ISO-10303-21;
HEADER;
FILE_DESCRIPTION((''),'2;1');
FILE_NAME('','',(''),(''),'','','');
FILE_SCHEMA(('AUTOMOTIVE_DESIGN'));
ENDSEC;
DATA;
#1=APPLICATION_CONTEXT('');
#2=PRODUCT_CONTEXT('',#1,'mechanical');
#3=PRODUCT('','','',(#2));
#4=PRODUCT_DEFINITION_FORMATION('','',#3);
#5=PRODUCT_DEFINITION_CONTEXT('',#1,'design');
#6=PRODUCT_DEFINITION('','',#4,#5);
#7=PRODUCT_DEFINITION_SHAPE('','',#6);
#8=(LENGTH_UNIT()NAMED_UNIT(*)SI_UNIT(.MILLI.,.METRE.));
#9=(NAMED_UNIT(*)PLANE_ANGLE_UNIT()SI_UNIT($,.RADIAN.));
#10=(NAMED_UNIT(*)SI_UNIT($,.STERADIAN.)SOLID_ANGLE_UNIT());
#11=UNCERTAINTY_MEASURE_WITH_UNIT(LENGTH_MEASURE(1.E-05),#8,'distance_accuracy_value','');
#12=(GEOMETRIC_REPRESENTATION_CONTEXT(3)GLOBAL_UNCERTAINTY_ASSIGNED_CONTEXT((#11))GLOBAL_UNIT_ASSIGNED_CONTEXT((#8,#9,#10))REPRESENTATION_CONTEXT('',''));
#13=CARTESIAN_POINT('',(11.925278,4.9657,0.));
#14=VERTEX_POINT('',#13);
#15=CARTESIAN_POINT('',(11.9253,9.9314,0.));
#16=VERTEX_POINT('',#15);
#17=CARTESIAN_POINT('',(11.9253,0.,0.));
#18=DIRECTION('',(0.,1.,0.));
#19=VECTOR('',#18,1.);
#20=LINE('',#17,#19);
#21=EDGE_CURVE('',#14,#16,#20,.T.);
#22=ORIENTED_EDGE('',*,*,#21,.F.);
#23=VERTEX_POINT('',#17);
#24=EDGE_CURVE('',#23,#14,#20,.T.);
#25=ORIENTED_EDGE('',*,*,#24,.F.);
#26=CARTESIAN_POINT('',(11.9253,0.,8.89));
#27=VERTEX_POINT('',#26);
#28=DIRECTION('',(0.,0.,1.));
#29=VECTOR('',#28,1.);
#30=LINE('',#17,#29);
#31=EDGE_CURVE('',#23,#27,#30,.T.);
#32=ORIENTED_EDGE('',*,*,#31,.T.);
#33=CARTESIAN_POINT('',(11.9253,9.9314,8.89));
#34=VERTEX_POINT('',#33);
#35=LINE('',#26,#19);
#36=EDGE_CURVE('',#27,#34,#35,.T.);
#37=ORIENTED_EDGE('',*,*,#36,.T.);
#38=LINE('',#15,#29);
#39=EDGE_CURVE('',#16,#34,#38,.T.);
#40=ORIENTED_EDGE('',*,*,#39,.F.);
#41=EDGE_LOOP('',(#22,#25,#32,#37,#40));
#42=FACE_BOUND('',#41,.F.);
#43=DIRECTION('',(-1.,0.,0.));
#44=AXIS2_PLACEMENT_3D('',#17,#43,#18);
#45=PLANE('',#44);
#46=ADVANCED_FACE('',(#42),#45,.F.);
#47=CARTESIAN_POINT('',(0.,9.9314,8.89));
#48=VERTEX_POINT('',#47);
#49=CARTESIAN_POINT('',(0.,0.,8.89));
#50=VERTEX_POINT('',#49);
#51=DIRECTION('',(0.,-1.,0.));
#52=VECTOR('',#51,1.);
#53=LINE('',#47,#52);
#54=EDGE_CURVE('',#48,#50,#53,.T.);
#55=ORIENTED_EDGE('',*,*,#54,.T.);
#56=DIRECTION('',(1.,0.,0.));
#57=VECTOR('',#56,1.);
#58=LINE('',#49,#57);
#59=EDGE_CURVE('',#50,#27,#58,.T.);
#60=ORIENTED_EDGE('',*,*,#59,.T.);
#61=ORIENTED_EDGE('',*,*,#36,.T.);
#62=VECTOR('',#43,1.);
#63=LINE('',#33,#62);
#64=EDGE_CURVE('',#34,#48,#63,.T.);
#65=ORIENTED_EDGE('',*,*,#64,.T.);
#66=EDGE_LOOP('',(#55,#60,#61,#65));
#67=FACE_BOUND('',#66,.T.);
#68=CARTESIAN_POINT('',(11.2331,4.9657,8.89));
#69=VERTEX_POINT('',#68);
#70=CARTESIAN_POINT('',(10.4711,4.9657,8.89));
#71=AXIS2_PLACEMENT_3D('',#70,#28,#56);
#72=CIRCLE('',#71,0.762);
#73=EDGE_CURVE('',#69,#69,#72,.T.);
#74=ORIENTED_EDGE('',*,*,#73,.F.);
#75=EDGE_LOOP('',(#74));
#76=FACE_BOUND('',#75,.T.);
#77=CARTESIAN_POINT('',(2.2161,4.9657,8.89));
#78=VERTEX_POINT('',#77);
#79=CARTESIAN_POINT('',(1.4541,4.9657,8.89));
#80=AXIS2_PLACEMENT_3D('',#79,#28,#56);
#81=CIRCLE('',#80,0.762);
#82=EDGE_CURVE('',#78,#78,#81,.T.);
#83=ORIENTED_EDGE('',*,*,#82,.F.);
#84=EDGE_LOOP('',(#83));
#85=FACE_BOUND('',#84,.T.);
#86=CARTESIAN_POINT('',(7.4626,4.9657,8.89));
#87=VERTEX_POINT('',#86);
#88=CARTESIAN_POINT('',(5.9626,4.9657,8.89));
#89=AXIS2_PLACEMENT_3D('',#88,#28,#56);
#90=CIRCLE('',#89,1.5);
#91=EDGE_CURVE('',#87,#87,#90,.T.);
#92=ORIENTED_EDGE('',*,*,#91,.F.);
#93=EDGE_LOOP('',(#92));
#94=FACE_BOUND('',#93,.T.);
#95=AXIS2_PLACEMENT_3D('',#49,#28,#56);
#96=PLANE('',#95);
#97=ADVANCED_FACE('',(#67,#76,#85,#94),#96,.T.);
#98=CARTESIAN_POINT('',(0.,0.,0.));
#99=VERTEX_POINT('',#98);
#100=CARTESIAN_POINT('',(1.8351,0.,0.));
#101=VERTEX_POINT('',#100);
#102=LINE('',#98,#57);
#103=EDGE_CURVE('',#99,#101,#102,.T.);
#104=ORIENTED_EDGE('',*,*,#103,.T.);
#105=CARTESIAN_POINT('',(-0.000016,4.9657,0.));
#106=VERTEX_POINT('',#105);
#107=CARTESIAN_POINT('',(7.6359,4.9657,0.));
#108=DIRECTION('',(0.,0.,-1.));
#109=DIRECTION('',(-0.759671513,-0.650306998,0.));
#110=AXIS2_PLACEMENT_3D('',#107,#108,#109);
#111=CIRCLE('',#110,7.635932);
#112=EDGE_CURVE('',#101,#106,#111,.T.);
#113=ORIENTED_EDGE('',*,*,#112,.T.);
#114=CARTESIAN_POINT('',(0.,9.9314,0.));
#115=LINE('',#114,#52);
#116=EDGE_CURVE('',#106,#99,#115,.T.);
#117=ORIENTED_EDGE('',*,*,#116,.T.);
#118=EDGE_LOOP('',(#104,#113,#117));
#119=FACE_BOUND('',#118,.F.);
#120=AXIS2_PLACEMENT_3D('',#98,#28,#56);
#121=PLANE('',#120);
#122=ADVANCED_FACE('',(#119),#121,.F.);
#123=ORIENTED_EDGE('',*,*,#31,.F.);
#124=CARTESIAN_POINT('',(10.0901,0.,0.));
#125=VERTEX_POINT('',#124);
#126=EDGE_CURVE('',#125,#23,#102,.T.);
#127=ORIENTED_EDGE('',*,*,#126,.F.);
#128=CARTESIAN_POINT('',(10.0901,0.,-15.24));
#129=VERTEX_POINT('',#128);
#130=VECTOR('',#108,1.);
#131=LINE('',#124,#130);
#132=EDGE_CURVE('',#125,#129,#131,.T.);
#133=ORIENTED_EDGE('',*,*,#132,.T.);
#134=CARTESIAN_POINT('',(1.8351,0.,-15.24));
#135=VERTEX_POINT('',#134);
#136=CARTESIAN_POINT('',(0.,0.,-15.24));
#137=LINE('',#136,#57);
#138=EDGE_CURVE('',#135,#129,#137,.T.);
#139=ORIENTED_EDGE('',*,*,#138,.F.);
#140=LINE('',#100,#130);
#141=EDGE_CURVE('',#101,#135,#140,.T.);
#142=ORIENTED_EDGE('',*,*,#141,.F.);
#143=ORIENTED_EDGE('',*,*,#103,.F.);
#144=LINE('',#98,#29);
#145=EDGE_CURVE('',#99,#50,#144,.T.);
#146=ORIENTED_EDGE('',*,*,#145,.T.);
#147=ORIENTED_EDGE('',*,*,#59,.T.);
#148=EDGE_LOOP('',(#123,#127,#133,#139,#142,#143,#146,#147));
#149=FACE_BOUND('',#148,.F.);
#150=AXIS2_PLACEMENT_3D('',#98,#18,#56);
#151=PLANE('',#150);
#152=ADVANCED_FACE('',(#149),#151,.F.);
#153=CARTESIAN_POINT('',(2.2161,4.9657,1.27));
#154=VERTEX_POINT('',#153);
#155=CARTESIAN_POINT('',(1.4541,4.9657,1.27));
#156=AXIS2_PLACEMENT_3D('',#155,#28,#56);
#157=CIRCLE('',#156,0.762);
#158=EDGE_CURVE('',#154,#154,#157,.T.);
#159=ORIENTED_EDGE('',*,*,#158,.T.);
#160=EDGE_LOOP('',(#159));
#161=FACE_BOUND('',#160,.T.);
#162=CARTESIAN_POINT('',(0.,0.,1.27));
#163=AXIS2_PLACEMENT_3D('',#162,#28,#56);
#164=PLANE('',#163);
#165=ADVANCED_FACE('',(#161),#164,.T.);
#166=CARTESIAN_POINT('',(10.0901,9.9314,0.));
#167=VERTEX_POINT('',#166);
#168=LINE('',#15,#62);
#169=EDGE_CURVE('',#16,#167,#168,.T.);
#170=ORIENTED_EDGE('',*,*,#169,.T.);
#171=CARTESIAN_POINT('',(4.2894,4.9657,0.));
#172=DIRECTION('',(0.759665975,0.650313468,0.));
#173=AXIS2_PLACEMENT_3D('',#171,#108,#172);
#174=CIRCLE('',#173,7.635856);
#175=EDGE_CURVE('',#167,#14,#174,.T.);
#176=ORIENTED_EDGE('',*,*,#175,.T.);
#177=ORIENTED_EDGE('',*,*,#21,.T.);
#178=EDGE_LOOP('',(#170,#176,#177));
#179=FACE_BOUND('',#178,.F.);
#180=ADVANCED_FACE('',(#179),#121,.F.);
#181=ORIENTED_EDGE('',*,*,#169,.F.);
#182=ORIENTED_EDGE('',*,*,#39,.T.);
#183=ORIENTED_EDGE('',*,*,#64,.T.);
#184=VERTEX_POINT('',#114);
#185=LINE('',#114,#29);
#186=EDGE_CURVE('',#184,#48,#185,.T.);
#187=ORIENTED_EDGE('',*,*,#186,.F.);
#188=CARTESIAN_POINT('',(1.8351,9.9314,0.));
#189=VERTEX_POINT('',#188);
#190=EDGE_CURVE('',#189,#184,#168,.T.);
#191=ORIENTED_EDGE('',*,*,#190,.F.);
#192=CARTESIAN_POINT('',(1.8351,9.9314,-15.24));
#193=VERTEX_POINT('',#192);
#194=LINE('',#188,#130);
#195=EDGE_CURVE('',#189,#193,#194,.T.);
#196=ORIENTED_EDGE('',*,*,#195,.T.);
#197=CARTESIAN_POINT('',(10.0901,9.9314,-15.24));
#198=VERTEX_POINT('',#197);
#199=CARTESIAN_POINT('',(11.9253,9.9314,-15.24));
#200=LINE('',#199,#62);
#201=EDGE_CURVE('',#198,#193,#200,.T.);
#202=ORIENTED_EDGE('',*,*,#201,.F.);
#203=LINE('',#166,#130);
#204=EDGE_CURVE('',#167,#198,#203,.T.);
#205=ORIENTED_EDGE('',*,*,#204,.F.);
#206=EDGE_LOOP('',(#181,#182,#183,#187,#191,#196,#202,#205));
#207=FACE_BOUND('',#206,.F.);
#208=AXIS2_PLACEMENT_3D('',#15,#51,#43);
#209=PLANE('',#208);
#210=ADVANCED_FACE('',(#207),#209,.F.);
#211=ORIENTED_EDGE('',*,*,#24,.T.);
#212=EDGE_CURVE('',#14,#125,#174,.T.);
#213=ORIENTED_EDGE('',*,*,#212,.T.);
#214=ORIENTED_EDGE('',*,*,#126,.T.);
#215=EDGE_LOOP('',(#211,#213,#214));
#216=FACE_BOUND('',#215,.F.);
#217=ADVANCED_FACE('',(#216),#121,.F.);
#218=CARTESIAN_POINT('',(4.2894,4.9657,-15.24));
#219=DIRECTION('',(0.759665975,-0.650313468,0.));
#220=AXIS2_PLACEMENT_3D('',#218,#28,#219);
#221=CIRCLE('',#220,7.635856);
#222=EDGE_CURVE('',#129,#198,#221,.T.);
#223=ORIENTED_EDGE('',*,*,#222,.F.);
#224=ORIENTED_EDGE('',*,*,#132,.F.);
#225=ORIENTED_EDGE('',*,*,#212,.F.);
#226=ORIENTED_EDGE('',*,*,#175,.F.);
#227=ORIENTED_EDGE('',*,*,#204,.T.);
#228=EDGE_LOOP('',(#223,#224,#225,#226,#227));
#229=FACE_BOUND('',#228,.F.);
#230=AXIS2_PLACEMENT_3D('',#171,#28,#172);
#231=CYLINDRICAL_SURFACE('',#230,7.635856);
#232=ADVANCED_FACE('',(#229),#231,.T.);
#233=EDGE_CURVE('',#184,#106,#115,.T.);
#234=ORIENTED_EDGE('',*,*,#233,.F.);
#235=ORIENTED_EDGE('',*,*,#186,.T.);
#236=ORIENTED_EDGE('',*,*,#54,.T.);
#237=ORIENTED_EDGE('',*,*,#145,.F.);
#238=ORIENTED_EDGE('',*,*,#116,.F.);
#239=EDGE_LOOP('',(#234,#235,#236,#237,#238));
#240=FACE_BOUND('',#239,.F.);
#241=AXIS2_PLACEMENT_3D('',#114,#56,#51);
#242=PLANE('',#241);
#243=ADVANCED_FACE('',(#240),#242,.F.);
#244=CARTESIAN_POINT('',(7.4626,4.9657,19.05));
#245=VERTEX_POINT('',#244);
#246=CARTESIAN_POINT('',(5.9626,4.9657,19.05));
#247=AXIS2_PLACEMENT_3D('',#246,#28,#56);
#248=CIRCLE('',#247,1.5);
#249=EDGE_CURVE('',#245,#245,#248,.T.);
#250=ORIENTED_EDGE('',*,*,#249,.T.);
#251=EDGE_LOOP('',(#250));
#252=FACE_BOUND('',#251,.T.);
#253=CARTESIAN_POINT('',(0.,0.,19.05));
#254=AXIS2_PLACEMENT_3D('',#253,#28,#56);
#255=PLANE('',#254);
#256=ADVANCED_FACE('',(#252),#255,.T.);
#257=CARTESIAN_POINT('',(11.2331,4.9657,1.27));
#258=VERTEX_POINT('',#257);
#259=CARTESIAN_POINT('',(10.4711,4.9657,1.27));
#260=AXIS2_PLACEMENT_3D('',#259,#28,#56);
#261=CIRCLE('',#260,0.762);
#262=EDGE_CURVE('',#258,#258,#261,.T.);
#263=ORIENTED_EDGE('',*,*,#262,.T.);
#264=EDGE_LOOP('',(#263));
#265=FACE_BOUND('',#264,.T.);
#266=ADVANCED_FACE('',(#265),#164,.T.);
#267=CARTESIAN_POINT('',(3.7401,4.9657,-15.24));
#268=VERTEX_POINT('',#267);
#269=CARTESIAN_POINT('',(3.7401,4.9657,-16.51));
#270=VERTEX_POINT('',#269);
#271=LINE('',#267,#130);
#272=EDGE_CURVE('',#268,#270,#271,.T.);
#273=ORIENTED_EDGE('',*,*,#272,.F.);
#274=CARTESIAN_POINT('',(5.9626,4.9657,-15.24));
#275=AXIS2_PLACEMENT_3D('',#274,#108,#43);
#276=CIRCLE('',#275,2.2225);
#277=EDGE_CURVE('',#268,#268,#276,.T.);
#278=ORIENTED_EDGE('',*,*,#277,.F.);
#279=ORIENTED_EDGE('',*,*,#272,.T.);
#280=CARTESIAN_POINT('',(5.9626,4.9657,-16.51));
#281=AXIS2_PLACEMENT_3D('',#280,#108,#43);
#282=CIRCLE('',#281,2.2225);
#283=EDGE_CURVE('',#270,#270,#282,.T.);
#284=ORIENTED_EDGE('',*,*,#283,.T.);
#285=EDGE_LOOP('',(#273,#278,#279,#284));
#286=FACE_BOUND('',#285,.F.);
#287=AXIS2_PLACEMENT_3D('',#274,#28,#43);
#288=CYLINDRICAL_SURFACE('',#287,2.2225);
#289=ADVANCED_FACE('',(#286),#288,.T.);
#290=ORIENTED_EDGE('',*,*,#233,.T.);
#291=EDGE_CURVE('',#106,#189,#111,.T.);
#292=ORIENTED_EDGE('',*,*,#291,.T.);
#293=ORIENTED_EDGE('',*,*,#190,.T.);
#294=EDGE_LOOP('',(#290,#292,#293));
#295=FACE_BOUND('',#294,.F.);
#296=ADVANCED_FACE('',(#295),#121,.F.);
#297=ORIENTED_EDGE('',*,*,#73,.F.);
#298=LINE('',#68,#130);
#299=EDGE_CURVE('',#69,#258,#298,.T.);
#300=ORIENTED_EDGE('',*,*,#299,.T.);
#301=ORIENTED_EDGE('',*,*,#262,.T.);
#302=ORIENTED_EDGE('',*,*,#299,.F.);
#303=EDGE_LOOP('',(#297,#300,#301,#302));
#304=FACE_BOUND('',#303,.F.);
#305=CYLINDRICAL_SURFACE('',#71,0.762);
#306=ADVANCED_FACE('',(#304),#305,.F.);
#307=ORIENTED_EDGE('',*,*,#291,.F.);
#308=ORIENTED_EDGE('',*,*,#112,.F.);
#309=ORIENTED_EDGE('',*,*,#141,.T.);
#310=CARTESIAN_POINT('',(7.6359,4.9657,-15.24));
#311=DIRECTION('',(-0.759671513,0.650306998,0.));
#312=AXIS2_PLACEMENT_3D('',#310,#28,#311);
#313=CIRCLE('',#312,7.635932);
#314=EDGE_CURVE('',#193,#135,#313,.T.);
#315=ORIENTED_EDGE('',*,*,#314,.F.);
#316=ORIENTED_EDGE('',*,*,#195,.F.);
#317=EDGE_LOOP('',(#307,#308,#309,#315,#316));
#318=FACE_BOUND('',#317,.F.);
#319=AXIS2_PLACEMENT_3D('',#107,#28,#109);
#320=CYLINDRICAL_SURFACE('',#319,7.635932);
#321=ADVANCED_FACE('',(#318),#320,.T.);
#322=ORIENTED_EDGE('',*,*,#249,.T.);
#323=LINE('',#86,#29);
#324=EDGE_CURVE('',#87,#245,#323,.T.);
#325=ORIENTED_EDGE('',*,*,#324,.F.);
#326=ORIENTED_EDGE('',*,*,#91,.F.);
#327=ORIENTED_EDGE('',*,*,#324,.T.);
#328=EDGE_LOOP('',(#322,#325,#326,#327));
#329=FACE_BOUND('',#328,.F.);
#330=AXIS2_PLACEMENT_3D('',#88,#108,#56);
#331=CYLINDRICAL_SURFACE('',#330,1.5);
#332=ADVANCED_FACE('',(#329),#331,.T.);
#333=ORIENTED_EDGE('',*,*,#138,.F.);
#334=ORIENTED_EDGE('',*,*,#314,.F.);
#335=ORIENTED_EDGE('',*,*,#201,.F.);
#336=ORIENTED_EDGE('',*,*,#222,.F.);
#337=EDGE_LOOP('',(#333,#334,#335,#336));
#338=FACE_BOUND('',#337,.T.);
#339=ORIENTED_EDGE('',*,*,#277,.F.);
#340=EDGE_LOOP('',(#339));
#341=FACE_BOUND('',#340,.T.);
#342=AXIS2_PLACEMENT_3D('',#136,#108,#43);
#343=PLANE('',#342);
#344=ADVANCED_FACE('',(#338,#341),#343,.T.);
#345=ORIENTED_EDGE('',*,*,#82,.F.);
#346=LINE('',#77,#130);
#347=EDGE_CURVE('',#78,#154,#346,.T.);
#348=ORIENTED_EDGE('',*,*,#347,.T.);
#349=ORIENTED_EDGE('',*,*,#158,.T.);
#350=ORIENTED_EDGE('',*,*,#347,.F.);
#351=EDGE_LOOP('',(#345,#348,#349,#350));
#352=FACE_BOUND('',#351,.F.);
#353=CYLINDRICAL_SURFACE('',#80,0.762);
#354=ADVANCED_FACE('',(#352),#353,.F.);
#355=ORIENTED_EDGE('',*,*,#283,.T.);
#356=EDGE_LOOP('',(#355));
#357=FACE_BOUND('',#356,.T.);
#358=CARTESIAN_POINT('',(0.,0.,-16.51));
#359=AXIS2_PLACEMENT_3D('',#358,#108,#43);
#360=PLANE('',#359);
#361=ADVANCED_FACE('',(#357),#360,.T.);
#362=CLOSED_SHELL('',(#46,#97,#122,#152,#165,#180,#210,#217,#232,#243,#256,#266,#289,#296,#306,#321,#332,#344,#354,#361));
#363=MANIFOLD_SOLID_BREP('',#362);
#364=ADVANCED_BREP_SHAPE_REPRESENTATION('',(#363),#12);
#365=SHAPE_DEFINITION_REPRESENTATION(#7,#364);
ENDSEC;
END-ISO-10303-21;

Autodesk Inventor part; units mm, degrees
ref_plane "YZ Plane" through (0, 0, 0) normal (1, 0, 0) x (0, 1, 0)
ref_plane "XZ Plane" through (0, 0, 0) normal (0, 1, 0) x (-1, 0, 0)
ref_plane "XY Plane" through (0, 0, 0) normal (0, 0, 1) x (1, 0, 0)
sketch "Sketch1" plane through (0, 0, 0) normal (0, 0, 1) x (1, 0, 0)
  line L0 (0, 0) -> (11.9253, 0)
  line L1 (11.9253, 0) -> (11.9253, 9.9314)
  line L2 (11.9253, 9.9314) -> (0, 9.9314)
  line L3 (0, 9.9314) -> (0, 0)
  dimension "d0" = 11.9253
  dimension "d1" = 9.9314
extrude "Extrusion1" add sketch "Sketch1" along normal blind 8.89
sketch "Sketch2" plane through (0, 0, 8.89) normal (0, 0, 1) x (1, 0, 0)
  circle A0 centre (5.9626, 4.9657) radius 1.5
  line L0 (11.9253, 9.9314) -> (0, 9.9314) construction
  line L1 (0, 9.9314) -> (0, 0) construction
  point P0 (5.9626, 9.9314)
  point P1 (0, 4.9657)
  dimension "d4" = 3
extrude "Extrusion2" add sketch "Sketch2" along normal blind 10.16
sketch "Sketch3" plane through (0, 0, 8.89) normal (0, 0, 1) x (1, 0, 0)
  circle A0 centre (10.4711, 4.9657) radius 0.762
  circle A1 centre (1.4541, 4.9657) radius 0.762
  line L0 (1.4541, 4.9657) -> (0, 4.9657) construction
  line L1 (0, 9.9314) -> (0, 0) construction
  line L2 (10.4711, 4.9657) -> (11.9253, 4.9657) construction
  line L3 (11.9253, 0) -> (11.9253, 9.9314) construction
  dimension "d7" = 9.017
  dimension "d8" = 1.524
extrude "Extrusion3" cut sketch "Sketch3" against normal blind 7.62
sketch "Sketch4" plane through (0, 0, 0) normal (0, 0, -1) x (-1, 0, 0)
  line L0 (0, 0) -> (-11.9253, 0) construction
  line L1 (0, 9.9314) -> (0, 0) construction
  line L2 (-11.9253, 9.9314) -> (0, 9.9314) construction
  line L3 (-11.9253, 0) -> (-11.9253, 9.9314) construction
  line L4 (-11.9253, 9.9314) -> (0, 9.9314) projected
  line L5 (-1.8351, 9.9314) -> (-10.0901, 9.9314)
  line L6 (0, 0) -> (-11.9253, 0) projected
  line L7 (-1.8351, 0) -> (-10.0901, 0)
  arc A0 (-10.0901, 9.9314) -> (-10.0901, 0) centre (-4.2894, 4.9657) ccw
  arc A1 (-1.8351, 0) -> (-1.8351, 9.9314) centre (-7.6359, 4.9657) ccw
  line L8 (0, 9.9314) -> (0, 0) projected
  line L9 (-11.9253, 0) -> (-11.9253, 9.9314) projected
  dimension "d11" = 8.255
extrude "Extrusion4" add sketch "Sketch4" along normal blind 15.24 contours L4 A1 L6 A0
sketch "Sketch5" plane through (0, 0, -15.24) normal (0, 0, -1) x (-1, 0, 0)
  circle A0 centre (-5.9626, 4.9657) radius 1.5 construction
  circle A1 centre (-5.9626, 4.9657) radius 1.5 projected
  circle A2 centre (-5.9626, 4.9657) radius 2.2225
  point P0 (0, 0)
  dimension "d14" = 4.445
extrude "Extrusion5" add sketch "Sketch5" along normal blind 1.27 contours A1 | A2
properties part number "MicroGearMotor" material "Brass, Soft Yellow, Welded"
